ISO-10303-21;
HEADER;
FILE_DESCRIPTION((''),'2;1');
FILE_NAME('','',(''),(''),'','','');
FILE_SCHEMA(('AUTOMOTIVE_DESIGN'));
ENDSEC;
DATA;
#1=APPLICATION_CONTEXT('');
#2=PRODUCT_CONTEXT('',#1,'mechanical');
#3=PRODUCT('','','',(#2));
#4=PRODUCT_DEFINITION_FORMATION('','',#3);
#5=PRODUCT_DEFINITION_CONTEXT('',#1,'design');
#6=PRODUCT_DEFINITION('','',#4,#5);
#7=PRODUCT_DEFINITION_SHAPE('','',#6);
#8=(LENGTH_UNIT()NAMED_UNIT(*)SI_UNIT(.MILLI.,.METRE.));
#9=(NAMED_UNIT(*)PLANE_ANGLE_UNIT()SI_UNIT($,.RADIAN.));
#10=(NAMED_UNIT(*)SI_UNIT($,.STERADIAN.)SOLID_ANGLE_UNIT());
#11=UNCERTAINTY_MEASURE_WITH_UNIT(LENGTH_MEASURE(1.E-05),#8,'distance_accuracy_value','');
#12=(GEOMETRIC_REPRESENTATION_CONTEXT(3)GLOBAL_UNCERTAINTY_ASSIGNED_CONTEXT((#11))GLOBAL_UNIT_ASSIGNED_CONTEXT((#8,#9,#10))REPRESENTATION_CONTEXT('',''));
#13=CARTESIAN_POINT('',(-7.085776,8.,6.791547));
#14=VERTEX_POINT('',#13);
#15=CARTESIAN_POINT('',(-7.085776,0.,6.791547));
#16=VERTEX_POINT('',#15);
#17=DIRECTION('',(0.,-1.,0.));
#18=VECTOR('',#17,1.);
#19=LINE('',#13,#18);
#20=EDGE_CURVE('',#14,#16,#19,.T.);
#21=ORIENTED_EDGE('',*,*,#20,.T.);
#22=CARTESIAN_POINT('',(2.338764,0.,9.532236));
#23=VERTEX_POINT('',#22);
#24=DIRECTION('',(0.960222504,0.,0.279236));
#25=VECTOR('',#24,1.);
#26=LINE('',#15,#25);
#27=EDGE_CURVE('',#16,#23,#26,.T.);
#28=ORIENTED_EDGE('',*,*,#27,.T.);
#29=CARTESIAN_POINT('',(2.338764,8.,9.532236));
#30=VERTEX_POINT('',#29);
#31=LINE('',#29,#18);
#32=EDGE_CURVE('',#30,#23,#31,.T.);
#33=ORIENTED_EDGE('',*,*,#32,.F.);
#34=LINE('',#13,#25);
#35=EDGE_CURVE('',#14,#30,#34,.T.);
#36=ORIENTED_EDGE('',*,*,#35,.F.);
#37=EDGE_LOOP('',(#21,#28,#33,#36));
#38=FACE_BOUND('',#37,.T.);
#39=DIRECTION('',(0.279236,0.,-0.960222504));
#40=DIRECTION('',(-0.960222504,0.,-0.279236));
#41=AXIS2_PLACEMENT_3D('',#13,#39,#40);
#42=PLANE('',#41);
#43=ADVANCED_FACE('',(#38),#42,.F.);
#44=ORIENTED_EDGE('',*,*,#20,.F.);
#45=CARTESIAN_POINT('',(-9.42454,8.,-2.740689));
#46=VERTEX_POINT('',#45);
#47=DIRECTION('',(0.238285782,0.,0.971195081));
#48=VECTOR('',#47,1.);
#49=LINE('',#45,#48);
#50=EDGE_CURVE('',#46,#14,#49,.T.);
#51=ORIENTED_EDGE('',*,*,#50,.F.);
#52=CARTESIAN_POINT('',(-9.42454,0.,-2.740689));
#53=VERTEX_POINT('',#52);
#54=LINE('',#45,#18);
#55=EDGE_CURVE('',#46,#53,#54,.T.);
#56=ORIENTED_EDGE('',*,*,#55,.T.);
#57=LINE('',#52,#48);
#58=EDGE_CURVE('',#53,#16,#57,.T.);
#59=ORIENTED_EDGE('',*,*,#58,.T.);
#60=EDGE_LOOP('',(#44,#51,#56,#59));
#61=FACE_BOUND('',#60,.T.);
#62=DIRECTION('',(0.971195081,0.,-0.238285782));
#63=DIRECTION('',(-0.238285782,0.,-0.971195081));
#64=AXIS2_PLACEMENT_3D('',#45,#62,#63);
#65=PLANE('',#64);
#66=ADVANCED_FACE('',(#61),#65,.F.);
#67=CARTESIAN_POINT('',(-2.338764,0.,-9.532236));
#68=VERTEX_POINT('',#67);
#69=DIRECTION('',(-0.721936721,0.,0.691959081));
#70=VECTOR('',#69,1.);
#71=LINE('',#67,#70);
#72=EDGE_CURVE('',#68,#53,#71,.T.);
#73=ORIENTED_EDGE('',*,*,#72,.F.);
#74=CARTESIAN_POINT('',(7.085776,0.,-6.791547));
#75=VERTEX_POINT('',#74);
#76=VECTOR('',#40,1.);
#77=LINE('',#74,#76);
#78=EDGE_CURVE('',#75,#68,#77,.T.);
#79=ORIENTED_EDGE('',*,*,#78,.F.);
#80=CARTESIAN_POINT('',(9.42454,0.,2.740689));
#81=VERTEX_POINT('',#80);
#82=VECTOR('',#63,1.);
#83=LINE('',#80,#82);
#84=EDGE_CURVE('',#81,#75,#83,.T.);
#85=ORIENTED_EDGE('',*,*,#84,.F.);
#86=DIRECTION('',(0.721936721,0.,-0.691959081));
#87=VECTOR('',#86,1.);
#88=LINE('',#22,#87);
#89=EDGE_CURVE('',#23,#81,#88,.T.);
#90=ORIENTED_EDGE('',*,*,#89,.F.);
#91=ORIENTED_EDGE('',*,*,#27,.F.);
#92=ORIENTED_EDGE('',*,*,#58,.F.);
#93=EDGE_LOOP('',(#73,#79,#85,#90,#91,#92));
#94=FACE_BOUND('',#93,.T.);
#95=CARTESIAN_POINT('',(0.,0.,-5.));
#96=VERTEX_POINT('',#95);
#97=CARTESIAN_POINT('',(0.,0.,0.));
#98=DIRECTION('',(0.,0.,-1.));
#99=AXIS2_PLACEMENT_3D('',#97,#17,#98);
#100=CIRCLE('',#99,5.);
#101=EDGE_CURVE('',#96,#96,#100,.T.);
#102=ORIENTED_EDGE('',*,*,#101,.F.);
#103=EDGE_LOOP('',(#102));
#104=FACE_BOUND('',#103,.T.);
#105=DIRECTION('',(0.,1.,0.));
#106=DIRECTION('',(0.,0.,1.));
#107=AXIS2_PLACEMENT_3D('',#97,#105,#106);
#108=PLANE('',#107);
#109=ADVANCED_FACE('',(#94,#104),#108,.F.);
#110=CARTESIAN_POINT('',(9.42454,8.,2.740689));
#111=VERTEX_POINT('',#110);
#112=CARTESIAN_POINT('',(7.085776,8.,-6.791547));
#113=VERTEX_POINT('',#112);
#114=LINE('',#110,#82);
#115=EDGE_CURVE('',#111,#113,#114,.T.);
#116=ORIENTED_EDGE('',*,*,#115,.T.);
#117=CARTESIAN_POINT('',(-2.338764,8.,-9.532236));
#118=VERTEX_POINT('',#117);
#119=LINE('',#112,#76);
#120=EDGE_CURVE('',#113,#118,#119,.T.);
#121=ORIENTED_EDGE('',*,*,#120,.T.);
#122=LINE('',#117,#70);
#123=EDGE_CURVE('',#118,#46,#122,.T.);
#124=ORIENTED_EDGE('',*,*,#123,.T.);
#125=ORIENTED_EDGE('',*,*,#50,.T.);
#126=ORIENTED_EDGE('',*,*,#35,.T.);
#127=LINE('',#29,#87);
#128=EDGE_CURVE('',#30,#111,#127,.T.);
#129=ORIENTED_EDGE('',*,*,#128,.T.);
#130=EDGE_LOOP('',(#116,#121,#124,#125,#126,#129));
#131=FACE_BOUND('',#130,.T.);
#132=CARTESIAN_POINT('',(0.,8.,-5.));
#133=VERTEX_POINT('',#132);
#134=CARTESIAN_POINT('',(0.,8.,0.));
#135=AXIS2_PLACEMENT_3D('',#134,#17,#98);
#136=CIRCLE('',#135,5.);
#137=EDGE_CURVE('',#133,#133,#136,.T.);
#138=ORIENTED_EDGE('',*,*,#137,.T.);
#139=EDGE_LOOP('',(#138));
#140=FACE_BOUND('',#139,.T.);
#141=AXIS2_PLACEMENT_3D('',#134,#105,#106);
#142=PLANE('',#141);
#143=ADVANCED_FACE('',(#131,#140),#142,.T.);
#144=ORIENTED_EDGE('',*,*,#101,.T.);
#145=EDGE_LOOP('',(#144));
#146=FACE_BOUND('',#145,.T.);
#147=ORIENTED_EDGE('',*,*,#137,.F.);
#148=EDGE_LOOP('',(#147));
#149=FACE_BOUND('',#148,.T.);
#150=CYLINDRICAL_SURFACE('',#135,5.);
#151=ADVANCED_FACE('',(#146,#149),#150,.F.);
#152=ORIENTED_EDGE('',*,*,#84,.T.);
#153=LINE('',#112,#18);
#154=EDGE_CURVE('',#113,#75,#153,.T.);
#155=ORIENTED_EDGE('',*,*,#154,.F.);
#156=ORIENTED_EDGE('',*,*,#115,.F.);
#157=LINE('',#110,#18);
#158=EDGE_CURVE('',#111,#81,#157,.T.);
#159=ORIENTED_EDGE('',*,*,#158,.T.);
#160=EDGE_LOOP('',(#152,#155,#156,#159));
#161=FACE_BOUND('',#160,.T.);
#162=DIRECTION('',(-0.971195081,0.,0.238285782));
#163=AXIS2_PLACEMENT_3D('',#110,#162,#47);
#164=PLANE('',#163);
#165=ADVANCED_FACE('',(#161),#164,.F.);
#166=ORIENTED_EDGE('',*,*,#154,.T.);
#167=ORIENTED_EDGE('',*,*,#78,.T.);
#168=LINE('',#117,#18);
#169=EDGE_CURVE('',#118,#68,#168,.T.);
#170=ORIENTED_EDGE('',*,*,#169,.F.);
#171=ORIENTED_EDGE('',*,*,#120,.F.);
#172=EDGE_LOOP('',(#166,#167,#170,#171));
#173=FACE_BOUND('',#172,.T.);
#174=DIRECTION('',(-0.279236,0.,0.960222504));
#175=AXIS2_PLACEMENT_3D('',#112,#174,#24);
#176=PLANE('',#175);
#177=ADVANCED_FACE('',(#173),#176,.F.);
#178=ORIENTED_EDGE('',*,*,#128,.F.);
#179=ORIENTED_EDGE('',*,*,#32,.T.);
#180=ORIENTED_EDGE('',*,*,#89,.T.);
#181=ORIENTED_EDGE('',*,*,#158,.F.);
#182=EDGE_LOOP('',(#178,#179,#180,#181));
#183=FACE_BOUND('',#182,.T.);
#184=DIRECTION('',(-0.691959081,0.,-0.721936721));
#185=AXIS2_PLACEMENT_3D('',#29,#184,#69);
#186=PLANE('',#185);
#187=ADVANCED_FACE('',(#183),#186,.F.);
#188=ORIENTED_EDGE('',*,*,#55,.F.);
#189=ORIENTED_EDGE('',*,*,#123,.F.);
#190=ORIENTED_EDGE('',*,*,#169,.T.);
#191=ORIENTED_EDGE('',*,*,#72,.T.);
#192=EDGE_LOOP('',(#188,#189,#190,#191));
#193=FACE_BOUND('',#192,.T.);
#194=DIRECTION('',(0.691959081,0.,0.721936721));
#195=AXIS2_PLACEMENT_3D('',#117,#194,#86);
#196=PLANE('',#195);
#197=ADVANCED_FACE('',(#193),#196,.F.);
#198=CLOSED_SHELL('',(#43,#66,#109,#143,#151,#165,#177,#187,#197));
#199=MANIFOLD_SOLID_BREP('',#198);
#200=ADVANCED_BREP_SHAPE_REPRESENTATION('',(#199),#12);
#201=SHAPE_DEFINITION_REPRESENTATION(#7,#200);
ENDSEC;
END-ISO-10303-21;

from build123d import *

# Parameters (mm, degrees)
DODANIE_WYCI_GNI_CIE1_DEPTH = 8
SZKIC2_R                    = 5
WYTNIJ_WYCI_GNI_CIE1_DEPTH  = 9


with BuildPart() as part:
    # Szkic1 → Dodanie-wyciągnięcie1 (new body)
    with BuildSketch(Plane(origin=(0, 0, 0), x_dir=(1, 0, 0), z_dir=(0, 1, 0))):
        Polygon((-2.338764127, 9.532235608), (-9.424540255, 2.740688657), (-7.085776128, -6.791546952), (2.338764127, -9.532235608), (9.424540255, -2.740688657), (7.085776128, 6.791546952), align=None)
    extrude(amount=DODANIE_WYCI_GNI_CIE1_DEPTH)

    # Szkic2 → Wytnij-wyciągnięcie1 (cut, through all)
    with BuildSketch(Plane(origin=(0, 0, 0), x_dir=(-1, 0, 0), z_dir=(0, -1, 0))):
        Circle(SZKIC2_R)
    extrude(amount=-WYTNIJ_WYCI_GNI_CIE1_DEPTH, mode=Mode.SUBTRACT)


solid = part.part
